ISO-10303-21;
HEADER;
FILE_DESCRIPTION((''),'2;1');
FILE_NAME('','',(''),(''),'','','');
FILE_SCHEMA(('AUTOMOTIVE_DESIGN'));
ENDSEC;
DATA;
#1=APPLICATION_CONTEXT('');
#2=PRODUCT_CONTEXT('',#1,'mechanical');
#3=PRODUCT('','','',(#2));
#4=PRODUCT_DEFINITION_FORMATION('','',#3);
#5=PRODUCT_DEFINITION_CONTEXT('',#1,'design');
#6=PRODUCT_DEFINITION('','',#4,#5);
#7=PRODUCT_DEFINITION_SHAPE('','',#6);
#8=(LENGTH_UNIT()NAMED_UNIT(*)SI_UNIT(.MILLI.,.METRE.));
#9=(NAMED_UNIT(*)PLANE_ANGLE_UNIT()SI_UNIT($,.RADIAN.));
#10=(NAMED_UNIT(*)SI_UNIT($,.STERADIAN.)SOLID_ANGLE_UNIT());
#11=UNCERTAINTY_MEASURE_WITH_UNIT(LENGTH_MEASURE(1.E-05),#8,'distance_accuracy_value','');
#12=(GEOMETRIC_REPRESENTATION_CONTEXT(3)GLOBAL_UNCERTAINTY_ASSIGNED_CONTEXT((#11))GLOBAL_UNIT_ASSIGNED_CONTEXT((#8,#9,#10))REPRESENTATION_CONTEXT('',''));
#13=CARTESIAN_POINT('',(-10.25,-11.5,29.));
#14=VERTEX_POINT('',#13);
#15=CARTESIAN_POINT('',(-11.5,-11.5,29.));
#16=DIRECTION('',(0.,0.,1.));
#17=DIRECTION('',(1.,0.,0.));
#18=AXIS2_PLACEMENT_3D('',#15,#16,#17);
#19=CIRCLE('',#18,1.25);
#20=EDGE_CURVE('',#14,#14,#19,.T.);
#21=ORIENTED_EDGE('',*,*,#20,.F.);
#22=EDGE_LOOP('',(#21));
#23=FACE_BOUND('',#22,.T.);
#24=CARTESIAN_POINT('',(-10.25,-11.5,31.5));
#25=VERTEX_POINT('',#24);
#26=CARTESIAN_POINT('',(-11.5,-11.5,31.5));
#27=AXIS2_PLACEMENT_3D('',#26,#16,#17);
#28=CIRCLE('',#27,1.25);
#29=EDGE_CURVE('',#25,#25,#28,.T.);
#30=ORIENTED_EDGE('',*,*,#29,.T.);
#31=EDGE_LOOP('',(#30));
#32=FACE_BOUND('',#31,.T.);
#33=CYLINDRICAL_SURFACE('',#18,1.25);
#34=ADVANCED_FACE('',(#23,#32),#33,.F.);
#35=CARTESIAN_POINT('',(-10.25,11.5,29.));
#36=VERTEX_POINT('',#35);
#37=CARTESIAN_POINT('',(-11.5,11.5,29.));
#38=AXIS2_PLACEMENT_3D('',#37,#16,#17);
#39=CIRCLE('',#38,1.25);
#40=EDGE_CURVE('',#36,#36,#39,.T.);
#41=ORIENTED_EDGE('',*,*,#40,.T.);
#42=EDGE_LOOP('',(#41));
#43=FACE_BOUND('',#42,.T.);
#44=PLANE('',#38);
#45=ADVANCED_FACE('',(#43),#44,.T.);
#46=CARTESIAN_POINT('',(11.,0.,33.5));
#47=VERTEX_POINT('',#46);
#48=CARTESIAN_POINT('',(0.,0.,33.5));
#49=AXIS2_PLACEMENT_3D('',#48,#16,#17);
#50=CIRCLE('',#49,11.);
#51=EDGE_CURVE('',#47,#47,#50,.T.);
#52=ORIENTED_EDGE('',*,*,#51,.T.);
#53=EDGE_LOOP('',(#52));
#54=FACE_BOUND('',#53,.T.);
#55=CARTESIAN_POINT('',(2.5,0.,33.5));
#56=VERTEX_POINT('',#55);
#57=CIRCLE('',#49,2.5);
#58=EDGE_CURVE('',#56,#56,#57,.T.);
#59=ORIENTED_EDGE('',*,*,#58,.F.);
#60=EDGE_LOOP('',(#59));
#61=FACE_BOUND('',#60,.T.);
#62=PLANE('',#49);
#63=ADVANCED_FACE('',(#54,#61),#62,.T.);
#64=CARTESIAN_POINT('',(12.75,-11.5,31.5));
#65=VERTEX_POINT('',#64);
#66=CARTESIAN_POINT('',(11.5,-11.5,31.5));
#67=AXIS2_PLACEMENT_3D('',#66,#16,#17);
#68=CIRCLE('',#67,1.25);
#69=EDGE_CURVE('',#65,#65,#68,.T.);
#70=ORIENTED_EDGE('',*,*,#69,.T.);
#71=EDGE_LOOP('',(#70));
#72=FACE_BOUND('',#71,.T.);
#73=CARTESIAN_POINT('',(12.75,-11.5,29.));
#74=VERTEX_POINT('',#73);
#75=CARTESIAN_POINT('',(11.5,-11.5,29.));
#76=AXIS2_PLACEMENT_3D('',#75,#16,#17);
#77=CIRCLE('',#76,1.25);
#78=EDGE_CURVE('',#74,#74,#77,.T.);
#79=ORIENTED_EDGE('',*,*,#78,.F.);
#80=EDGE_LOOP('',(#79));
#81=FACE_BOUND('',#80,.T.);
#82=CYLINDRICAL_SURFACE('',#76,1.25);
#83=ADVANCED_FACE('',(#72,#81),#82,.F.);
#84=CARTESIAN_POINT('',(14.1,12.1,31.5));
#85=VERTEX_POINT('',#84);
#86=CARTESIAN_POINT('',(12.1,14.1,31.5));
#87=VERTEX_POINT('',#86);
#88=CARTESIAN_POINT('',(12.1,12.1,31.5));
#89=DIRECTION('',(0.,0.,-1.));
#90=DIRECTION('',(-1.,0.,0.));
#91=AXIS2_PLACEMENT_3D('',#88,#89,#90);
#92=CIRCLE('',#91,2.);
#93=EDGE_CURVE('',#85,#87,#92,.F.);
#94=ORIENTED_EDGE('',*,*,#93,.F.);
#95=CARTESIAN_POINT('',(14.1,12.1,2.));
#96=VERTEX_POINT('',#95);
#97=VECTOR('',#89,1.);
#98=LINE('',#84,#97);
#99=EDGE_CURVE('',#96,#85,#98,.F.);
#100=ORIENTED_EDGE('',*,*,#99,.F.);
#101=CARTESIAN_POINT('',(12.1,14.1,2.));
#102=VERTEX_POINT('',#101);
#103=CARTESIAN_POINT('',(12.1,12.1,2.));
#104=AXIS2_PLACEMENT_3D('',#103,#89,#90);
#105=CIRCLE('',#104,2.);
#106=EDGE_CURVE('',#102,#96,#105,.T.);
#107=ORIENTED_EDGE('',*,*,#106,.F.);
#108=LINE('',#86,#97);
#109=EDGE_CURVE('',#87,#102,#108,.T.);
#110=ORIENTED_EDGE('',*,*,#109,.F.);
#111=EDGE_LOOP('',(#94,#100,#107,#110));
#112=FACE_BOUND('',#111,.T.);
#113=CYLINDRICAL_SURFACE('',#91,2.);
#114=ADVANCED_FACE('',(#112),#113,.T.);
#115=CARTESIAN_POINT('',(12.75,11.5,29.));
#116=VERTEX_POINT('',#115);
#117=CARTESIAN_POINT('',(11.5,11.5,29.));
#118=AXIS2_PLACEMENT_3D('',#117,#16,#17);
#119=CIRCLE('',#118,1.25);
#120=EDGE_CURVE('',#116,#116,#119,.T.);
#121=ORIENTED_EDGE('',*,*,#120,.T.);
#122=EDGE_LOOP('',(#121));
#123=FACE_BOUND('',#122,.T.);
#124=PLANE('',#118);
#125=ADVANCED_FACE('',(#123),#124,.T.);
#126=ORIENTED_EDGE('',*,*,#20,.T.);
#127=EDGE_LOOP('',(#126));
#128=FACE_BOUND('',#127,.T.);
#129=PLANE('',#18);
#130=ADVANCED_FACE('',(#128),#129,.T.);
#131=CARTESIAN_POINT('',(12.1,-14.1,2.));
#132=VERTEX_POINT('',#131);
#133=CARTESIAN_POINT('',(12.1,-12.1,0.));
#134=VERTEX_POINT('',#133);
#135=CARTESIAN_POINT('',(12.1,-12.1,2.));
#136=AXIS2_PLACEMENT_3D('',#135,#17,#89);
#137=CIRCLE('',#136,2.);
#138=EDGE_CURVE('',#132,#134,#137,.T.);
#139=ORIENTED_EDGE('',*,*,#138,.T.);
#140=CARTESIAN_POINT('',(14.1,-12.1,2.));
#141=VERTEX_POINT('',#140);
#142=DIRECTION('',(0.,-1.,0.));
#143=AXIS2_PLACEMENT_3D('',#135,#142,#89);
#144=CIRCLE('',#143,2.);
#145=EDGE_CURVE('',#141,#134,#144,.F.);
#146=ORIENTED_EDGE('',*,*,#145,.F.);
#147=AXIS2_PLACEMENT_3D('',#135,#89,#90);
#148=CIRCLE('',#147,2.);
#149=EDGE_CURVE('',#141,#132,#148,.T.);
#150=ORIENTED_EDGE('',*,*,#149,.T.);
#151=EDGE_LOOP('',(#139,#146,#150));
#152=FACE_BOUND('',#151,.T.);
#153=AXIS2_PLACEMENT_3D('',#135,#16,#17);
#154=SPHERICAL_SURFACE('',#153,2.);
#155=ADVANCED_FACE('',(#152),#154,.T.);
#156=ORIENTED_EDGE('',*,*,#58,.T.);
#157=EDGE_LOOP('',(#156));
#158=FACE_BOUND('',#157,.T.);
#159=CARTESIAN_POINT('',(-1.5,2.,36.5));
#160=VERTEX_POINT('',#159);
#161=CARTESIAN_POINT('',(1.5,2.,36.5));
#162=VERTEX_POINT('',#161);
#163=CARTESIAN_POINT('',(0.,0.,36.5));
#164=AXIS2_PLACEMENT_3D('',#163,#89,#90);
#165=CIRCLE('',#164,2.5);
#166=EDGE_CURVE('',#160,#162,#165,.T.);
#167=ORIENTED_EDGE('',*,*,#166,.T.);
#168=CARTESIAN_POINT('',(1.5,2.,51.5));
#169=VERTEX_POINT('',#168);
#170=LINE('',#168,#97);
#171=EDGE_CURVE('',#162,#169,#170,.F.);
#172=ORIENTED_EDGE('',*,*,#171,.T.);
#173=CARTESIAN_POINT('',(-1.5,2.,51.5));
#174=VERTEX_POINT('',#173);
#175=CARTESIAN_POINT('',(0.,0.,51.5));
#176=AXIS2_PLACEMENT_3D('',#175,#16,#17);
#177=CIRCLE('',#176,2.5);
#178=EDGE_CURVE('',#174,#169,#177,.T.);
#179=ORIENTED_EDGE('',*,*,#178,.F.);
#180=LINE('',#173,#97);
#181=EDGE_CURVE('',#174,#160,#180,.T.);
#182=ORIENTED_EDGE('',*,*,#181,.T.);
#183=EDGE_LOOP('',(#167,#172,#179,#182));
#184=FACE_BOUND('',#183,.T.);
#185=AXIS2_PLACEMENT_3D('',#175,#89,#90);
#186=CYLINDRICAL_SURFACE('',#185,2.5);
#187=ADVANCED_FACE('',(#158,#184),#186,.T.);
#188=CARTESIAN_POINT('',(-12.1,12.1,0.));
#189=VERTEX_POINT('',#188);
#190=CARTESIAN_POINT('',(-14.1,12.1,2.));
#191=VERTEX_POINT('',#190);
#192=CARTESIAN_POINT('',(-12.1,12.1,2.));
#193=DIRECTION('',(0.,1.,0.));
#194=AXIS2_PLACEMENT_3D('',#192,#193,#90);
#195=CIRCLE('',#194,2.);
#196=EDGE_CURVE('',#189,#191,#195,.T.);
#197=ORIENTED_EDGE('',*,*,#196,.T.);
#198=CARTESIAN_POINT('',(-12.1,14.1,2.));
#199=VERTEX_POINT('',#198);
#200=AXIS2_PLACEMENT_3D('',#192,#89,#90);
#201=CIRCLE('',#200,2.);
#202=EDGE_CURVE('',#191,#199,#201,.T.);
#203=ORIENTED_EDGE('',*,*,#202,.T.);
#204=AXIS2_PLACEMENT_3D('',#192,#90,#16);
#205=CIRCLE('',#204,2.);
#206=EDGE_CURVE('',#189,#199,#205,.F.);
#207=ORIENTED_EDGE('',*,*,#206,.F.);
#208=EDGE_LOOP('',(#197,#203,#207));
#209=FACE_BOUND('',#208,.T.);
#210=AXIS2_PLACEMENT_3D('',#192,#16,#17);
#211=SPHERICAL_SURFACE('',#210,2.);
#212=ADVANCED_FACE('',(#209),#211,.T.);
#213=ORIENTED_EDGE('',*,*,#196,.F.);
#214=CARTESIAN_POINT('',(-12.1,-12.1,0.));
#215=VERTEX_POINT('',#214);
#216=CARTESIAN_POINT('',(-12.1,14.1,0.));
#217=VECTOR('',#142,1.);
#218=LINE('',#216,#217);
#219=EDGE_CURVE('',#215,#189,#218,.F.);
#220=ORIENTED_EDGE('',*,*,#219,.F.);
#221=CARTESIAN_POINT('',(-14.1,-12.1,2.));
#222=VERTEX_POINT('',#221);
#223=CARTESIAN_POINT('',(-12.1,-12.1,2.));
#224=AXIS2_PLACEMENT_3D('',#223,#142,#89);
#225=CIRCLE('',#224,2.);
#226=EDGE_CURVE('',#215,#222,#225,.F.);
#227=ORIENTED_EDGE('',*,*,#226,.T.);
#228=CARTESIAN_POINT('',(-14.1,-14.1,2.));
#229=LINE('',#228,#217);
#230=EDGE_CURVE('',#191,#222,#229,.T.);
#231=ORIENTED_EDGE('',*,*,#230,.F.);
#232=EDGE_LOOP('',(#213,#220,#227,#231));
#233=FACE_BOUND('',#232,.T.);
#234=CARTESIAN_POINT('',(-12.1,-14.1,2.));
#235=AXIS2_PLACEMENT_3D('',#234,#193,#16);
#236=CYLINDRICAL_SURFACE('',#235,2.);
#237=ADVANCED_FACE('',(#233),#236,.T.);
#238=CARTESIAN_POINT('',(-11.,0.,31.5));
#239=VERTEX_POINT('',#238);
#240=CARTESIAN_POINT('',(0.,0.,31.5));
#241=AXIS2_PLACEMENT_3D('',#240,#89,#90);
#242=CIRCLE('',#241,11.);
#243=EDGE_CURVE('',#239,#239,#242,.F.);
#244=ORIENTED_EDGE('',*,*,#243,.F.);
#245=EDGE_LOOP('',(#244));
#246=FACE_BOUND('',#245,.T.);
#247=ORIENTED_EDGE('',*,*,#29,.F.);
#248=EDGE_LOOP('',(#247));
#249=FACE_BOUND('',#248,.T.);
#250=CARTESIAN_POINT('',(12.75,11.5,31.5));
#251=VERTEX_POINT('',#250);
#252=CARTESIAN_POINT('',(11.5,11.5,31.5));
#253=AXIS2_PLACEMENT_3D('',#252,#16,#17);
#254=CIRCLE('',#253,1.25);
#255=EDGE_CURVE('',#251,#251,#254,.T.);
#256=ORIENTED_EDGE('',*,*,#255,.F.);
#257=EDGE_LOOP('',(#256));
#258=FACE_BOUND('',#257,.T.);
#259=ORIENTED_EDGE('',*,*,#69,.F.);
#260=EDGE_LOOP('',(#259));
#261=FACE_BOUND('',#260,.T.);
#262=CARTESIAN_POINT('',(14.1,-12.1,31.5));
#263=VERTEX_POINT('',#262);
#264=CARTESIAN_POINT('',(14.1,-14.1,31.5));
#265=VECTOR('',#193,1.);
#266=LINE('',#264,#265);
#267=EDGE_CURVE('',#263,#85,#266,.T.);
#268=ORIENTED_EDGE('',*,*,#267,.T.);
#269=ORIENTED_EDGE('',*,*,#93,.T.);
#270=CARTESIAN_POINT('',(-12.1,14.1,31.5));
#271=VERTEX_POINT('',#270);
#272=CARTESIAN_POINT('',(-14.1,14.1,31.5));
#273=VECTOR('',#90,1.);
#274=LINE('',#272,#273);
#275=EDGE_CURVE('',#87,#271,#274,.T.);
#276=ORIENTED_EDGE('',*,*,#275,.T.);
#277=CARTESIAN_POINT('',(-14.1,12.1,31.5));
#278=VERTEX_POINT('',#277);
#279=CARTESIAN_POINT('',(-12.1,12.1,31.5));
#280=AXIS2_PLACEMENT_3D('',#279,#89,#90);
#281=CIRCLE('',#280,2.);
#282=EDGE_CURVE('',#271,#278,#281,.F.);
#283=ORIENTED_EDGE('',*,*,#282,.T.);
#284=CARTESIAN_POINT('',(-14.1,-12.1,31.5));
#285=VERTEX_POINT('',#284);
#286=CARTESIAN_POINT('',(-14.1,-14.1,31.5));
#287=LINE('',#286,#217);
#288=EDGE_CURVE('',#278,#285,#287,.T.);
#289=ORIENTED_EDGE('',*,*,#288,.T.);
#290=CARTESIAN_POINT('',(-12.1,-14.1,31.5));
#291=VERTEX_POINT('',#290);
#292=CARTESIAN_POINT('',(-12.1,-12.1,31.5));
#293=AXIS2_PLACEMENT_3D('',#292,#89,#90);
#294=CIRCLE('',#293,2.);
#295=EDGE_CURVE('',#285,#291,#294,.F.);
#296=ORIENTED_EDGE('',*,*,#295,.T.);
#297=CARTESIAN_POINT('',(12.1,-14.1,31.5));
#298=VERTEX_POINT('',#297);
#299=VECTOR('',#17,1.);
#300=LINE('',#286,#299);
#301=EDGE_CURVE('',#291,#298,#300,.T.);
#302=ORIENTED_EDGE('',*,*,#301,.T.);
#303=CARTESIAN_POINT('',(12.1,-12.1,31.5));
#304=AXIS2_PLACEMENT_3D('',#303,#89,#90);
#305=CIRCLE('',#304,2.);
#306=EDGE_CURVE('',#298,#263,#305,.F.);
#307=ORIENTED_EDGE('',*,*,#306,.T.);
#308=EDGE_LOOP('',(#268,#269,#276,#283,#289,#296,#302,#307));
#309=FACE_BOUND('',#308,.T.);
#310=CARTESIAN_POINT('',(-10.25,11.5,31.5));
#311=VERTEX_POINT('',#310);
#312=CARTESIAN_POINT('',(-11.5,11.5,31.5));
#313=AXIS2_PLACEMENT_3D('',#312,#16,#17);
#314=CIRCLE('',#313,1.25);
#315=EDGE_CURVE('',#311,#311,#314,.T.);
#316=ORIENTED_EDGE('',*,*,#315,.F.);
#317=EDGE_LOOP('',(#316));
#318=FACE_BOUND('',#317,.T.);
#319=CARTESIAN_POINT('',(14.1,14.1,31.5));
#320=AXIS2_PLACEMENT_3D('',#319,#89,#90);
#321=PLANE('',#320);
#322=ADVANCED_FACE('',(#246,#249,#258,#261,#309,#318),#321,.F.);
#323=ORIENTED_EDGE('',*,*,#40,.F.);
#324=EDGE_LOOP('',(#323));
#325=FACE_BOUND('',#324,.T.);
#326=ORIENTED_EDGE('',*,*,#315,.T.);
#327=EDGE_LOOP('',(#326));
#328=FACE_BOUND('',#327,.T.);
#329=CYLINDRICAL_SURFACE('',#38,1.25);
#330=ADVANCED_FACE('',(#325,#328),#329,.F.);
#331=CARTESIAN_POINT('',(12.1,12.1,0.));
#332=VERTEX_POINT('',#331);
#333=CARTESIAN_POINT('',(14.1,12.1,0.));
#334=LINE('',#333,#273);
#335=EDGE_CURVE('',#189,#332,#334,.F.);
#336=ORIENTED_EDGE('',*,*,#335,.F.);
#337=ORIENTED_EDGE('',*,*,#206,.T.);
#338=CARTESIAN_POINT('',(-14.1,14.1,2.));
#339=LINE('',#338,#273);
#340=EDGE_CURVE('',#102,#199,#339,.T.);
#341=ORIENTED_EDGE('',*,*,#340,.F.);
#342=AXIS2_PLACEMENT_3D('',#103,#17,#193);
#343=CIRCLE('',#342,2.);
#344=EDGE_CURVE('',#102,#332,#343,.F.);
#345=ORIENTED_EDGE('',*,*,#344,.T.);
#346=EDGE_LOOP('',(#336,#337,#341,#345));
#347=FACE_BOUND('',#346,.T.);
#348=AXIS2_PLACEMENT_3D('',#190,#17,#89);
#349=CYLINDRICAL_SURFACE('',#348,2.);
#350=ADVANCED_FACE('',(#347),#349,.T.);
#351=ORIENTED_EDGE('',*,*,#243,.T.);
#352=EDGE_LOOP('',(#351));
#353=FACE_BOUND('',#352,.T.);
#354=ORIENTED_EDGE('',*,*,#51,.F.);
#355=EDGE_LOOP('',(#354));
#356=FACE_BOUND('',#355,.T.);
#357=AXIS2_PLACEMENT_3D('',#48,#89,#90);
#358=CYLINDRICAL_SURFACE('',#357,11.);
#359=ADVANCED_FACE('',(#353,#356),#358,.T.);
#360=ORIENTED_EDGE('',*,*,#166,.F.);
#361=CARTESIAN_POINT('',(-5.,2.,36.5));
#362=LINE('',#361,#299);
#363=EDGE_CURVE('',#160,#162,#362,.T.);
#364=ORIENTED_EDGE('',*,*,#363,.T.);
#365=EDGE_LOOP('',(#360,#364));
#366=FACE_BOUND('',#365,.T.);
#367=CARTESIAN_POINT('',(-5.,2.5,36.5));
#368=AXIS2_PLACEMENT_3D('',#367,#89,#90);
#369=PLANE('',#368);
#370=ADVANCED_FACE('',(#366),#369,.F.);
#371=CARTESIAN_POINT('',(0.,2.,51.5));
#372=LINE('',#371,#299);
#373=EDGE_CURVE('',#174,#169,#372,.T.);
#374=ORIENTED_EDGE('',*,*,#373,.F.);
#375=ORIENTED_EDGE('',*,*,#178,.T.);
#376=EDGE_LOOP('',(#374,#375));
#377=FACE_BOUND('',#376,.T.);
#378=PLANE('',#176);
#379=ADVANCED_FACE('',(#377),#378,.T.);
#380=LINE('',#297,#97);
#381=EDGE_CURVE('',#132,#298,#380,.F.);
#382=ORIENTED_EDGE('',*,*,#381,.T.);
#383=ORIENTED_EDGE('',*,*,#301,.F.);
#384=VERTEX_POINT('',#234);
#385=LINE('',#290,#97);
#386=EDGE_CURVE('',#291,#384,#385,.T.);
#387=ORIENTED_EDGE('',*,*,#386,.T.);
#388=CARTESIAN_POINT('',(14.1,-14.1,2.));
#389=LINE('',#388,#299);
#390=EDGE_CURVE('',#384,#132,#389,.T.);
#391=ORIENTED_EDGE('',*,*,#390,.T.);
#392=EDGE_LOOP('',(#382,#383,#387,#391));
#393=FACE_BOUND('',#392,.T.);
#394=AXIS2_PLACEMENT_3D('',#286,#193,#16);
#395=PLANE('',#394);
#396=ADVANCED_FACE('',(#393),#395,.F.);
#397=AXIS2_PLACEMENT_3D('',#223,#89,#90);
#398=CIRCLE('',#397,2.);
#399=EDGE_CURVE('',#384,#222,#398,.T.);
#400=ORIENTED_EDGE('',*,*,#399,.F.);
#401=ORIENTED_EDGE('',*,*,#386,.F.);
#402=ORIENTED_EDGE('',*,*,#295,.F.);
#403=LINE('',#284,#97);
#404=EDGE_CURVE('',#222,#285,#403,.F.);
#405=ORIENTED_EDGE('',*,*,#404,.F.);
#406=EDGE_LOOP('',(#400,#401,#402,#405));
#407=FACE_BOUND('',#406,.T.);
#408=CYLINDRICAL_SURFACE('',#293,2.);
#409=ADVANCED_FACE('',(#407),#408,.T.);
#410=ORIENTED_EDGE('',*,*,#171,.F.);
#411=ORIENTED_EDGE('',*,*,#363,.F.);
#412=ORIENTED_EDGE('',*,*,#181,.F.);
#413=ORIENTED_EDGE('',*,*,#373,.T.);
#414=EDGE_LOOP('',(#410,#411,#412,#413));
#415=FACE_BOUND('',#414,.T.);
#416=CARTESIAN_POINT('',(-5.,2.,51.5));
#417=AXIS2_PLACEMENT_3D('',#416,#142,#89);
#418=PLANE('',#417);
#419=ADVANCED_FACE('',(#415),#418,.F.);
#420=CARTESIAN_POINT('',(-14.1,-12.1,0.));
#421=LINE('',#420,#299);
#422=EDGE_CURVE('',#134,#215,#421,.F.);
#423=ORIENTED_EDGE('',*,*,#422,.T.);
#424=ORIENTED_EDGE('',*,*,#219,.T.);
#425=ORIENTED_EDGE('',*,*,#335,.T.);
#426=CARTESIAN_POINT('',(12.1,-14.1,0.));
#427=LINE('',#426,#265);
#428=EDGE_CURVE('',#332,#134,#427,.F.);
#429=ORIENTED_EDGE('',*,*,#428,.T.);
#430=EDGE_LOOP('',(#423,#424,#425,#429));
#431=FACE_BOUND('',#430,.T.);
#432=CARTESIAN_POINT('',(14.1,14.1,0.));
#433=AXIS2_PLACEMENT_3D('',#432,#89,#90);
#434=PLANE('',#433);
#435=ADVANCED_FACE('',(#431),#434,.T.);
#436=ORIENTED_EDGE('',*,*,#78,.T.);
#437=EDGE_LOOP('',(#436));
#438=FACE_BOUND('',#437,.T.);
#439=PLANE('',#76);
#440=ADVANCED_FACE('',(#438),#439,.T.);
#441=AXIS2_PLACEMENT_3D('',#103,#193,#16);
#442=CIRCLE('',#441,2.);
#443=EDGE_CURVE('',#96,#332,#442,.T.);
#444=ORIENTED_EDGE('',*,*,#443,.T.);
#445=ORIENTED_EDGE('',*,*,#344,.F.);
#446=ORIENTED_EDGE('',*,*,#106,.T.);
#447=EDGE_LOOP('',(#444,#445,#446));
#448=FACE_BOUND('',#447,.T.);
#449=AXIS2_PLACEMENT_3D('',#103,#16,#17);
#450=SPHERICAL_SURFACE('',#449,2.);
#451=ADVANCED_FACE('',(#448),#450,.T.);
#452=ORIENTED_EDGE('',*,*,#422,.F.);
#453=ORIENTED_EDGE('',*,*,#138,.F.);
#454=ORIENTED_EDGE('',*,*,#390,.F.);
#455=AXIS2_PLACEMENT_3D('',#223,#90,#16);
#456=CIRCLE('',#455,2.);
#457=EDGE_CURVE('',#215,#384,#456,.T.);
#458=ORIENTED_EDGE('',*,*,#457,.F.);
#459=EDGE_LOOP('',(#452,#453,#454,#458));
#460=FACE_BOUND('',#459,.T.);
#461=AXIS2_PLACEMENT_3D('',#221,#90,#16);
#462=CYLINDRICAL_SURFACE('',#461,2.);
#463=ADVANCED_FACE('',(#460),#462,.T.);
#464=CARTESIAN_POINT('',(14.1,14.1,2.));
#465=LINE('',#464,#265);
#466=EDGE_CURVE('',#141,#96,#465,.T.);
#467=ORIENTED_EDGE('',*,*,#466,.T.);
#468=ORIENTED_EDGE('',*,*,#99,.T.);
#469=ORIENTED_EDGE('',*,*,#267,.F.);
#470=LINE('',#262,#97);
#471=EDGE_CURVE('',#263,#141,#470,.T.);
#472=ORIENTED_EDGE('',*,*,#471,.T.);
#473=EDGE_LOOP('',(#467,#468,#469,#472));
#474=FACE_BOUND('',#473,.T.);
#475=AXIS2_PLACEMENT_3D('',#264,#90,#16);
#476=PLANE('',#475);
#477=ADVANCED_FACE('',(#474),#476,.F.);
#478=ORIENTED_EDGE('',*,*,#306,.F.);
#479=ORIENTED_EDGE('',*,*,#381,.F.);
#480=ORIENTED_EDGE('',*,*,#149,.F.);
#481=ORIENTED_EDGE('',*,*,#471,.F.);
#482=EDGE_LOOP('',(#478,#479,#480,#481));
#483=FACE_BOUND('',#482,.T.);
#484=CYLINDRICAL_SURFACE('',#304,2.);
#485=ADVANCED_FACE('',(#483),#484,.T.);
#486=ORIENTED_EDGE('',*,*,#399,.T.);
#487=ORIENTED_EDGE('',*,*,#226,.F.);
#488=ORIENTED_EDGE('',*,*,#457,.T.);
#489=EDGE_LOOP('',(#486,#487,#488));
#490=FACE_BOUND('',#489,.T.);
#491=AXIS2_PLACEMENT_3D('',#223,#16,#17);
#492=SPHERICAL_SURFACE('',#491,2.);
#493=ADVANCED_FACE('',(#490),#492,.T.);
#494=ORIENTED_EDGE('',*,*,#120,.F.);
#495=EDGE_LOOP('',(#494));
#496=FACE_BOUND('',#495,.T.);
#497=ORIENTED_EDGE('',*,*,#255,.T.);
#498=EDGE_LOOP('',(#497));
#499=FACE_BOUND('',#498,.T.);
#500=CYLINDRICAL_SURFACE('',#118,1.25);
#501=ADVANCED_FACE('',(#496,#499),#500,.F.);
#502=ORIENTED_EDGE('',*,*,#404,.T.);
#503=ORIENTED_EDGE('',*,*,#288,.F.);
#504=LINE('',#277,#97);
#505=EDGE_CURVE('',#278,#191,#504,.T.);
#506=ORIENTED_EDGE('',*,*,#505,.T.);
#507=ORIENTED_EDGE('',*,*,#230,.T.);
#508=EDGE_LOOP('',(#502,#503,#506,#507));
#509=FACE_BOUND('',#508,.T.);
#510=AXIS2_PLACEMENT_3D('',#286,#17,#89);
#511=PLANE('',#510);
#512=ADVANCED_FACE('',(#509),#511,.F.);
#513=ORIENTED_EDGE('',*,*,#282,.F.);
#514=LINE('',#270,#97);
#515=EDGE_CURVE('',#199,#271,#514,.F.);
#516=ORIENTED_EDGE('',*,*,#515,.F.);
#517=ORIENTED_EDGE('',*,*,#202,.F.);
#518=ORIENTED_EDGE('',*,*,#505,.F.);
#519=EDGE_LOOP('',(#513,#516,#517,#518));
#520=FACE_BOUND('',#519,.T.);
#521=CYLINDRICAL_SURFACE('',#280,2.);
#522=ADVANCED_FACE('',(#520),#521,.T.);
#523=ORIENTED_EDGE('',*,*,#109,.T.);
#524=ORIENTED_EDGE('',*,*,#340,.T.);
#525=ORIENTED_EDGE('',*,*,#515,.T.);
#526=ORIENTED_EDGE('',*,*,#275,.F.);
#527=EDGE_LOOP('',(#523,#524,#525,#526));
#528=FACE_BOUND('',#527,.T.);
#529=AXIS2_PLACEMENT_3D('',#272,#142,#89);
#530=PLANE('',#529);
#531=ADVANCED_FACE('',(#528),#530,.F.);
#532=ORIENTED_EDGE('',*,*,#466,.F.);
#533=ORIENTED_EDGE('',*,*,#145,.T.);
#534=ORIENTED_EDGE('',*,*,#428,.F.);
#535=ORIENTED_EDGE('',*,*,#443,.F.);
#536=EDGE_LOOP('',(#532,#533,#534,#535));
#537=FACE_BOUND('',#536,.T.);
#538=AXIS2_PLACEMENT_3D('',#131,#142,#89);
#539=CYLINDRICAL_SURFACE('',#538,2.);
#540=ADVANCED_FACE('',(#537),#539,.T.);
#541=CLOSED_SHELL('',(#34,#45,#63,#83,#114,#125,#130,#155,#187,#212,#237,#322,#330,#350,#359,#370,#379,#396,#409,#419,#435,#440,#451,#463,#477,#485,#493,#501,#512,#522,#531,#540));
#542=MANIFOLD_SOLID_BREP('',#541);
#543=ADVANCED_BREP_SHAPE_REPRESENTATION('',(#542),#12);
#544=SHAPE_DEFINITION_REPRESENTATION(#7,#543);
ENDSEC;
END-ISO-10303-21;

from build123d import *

# Parameters (mm, degrees)
SKETCH1_W           = 28.2
SKETCH1_H           = 28.2
BOSS_EXTRUDE1_DEPTH = 31.5
SKETCH2_R           = 11
BOSS_EXTRUDE2_DEPTH = 2
SKETCH3_R           = 2.5
BOSS_EXTRUDE3_DEPTH = 18
SKETCH4_W           = 15
SKETCH4_H           = 0.5
CUT_EXTRUDE1_DEPTH  = 5
SKETCH5_R           = 1.25
CUT_EXTRUDE2_DEPTH  = 2.5
FILLET1_R           = 2


with BuildPart() as part:
    # Sketch1 → Boss-Extrude1 (new body)
    with BuildSketch(Plane.XY):
        Rectangle(SKETCH1_W, SKETCH1_H)
    extrude(amount=BOSS_EXTRUDE1_DEPTH)

    # Sketch2 → Boss-Extrude2 (add)
    with BuildSketch(Plane.XY.offset(31.5)):
        with Locations(Location((0, 0, 0), (0, 0, 180))):
            Circle(SKETCH2_R)
    extrude(amount=BOSS_EXTRUDE2_DEPTH)

    # Sketch3 → Boss-Extrude3 (add)
    with BuildSketch(Plane.XY.offset(33.5)):
        Circle(SKETCH3_R)
    extrude(amount=BOSS_EXTRUDE3_DEPTH)

    # Sketch4 → Cut-Extrude1 (cut, symmetric)
    with BuildSketch(Plane(origin=(0, 0, 0), x_dir=(0, 0, -1), z_dir=(1, 0, 0))):
        with Locations((-44, 2.25)):
            Rectangle(SKETCH4_W, SKETCH4_H)
    extrude(amount=CUT_EXTRUDE1_DEPTH, both=True, mode=Mode.SUBTRACT)

    # Sketch5 → Cut-Extrude2 (cut)
    with BuildSketch(Plane.XY.offset(31.5)):
        with Locations((-11.5, 11.5)):
            Circle(SKETCH5_R)
        with Locations((11.5, 11.5)):
            Circle(SKETCH5_R)
        with Locations((11.5, -11.5)):
            Circle(SKETCH5_R)
        with Locations((-11.5, -11.5)):
            Circle(SKETCH5_R)
    extrude(amount=-CUT_EXTRUDE2_DEPTH, mode=Mode.SUBTRACT)

    # Fillet1
    fillet1_edges = [part.edges().sort_by_distance(p)[0] for p in [
        (0, -14.1, 0),
        (-14.1, 0, 0),
        (0, 14.1, 0),
        (14.1, 0, 0),
        (14.1, -14.1, 15.75),
        (-14.1, -14.1, 15.75),
        (-14.1, 14.1, 15.75),
        (14.1, 14.1, 15.75),
    ]]
    fillet(fillet1_edges, radius=FILLET1_R)


solid = part.part
